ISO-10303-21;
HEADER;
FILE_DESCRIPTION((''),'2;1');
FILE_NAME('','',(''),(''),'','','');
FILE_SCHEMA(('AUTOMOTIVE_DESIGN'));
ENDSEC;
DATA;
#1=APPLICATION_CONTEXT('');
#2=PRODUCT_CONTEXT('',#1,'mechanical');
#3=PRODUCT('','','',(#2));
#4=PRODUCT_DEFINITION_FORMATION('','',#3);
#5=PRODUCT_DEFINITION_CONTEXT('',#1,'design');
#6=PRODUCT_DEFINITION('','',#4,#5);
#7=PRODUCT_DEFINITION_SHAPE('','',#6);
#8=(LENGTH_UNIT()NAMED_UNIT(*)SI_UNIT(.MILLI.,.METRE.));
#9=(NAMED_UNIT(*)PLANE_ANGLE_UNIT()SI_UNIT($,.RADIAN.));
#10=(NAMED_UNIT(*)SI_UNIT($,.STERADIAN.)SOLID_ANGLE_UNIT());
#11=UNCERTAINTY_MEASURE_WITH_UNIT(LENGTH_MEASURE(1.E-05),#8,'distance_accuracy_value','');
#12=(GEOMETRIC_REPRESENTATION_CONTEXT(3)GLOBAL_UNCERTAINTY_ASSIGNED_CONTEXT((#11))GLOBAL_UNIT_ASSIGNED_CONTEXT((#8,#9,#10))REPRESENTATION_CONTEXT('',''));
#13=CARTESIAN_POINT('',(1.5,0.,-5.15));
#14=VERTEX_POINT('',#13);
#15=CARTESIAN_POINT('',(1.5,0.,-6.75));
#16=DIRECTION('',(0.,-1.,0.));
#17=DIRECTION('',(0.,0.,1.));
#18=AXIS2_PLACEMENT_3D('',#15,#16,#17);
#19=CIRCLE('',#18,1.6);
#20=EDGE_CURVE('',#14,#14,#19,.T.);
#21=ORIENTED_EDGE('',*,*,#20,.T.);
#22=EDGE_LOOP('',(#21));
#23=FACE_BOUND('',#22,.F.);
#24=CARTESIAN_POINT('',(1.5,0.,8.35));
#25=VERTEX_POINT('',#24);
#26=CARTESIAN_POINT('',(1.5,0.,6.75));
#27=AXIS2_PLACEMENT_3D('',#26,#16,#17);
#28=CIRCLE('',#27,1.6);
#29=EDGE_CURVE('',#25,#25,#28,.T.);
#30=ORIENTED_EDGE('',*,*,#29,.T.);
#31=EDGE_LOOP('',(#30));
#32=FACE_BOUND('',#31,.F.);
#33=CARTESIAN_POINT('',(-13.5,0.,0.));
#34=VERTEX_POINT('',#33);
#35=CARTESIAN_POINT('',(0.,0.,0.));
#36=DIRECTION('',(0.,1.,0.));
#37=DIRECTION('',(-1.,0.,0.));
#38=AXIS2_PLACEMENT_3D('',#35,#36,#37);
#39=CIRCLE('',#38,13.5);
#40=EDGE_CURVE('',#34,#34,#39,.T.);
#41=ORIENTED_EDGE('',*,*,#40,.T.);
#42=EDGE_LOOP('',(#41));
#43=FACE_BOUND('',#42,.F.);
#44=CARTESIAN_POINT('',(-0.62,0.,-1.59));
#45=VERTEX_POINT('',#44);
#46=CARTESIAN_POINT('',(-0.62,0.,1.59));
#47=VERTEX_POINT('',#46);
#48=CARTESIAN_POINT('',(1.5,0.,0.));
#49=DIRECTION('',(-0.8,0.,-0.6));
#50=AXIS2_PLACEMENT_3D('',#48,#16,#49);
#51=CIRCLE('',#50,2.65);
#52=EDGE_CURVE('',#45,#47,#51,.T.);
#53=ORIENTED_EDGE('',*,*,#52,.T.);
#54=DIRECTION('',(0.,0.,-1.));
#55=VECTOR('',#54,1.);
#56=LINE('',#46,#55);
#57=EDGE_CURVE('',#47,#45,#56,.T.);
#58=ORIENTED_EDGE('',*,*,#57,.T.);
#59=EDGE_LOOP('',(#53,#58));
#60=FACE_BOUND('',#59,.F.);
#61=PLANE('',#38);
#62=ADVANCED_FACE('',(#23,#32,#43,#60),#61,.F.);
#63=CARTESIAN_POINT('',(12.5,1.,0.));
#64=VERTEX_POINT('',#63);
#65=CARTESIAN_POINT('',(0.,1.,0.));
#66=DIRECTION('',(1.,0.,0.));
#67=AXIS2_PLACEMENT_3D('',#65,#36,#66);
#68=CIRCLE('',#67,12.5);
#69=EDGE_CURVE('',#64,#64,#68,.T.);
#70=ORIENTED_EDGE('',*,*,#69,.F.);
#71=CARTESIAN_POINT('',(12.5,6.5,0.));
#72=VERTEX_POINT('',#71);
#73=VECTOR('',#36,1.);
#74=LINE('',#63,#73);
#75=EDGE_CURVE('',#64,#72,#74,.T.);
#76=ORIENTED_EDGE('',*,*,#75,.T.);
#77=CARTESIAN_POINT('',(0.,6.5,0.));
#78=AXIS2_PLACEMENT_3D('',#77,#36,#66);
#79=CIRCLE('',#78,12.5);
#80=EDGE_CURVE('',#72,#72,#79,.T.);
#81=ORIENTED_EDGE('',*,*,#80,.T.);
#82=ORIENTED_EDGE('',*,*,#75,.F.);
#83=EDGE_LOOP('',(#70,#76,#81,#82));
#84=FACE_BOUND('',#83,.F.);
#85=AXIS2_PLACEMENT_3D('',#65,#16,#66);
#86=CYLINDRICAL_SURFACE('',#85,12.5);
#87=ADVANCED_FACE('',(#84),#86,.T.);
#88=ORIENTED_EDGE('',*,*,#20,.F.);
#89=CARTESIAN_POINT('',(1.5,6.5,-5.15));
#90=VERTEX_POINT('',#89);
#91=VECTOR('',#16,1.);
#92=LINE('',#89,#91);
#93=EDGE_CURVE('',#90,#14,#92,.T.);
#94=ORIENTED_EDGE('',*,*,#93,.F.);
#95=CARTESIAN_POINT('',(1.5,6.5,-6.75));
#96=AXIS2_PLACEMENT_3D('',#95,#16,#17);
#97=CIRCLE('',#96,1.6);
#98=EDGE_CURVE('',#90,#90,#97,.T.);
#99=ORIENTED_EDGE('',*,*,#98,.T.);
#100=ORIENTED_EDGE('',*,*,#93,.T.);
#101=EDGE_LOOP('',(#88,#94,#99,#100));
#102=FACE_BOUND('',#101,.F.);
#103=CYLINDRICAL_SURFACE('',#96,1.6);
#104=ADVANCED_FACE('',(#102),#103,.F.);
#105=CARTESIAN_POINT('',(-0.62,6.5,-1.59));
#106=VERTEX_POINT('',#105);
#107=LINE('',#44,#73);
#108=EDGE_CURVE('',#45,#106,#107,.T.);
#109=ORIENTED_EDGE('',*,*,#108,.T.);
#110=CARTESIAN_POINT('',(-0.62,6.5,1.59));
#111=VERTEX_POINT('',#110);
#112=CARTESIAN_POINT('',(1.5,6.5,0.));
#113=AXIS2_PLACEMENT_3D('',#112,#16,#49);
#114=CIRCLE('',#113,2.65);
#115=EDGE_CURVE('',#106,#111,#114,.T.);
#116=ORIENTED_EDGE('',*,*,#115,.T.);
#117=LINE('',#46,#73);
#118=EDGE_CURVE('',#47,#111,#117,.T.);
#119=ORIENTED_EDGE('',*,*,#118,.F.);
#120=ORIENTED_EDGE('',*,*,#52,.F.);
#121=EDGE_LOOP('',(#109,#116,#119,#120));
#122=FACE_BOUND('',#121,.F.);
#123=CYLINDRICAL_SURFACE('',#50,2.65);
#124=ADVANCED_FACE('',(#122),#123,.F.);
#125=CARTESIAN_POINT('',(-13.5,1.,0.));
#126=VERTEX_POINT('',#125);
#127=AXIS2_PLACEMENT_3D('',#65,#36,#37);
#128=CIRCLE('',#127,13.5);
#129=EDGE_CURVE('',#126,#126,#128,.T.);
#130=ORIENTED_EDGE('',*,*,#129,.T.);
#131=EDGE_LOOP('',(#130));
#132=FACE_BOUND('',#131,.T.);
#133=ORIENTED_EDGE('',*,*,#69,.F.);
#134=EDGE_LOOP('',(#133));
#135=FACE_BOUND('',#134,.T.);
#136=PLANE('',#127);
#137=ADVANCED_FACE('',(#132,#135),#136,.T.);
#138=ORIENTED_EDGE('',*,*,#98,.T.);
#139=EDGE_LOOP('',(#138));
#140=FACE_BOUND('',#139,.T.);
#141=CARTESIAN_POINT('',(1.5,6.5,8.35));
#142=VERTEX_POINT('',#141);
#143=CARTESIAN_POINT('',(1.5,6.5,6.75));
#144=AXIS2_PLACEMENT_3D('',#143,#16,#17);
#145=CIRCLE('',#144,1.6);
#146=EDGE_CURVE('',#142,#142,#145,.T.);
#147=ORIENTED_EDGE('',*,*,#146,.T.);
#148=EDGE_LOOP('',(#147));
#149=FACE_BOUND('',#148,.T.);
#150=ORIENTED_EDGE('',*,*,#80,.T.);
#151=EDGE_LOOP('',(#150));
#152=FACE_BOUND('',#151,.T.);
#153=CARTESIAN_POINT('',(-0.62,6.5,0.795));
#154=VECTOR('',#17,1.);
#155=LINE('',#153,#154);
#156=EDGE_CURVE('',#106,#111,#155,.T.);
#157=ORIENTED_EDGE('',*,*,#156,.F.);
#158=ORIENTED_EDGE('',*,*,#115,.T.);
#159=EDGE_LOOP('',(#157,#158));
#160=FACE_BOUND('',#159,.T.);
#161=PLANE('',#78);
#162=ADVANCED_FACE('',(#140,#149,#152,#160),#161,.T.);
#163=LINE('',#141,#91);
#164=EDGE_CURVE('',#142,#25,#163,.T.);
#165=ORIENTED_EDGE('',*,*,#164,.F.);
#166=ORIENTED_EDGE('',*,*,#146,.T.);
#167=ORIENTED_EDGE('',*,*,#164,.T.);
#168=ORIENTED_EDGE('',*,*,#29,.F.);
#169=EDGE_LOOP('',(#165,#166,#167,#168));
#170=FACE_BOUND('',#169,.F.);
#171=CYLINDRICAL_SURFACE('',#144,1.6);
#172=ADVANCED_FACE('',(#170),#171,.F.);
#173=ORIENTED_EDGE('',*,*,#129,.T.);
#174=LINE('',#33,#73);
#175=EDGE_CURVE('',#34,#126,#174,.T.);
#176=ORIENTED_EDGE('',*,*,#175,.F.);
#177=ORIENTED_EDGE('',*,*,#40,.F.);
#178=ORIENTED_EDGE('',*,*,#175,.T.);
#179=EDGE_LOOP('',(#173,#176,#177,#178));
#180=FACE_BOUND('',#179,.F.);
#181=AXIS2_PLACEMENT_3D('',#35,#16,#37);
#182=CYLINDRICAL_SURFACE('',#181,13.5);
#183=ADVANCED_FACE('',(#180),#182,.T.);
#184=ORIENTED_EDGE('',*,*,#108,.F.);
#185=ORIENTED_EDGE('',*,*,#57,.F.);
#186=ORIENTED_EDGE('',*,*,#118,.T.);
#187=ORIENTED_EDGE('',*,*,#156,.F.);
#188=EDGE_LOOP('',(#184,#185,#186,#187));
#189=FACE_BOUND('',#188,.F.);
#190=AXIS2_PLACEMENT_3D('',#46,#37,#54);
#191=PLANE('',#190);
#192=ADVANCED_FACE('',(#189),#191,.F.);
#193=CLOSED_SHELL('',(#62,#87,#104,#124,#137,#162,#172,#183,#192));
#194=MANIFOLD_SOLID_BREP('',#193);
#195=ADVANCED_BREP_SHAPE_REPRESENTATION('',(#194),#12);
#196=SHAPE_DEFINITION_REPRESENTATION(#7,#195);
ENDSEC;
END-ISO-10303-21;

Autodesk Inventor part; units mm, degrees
ref_plane "YZ Plane" through (0, 0, 0) normal (1, 0, 0) x (0, 1, 0)
ref_plane "XZ Plane" through (0, 0, 0) normal (0, 1, 0) x (-1, 0, 0)
ref_plane "XY Plane" through (0, 0, 0) normal (0, 0, 1) x (1, 0, 0)
sketch "Szkic1" plane through (0, 0, 0) normal (0, 1, 0) x (-1, 0, 0)
  circle A0 centre (0, 0) radius 13.5
  dimension "d0" = 27
extrude "Wyciągnięcie proste1" add sketch "Szkic1" along normal blind 1
sketch "Szkic2" plane through (0, 1, 0) normal (0, 1, 0) x (1, 0, 0)
  circle A0 centre (0, 0) radius 12.5
  dimension "d3" = 25
extrude "Wyciągnięcie proste2" add sketch "Szkic2" along normal blind 5.5
sketch "Szkic3" plane through (0, 6.5, 0) normal (0, 1, 0) x (1, 0, 0)
  point P0 (0, 0)
  point P1 (1.5, -6.75)
  point P2 (1.5, 6.75)
  dimension "d21" = 6.75
hole "Otwór1" at (1.5, 6.5, 6.75) at (1.5, 6.5, -6.75) direction (0, -1, 0) diameter 3.2 end through all
sketch "Szkic5" plane through (0, 0, 0) normal (0, -1, 0) x (1, 0, 0)
  arc A0 (-0.62, -1.59) -> (-0.62, 1.59) centre (1.5, 0) ccw
  line L0 (-0.62, 1.59) -> (-0.62, -1.59)
  point P0 (0, 0)
  dimension "d16" = 5.3
extrude "Wyciągnięcie proste3" cut sketch "Szkic5" against normal through all
properties part number "RotorShaft2"
